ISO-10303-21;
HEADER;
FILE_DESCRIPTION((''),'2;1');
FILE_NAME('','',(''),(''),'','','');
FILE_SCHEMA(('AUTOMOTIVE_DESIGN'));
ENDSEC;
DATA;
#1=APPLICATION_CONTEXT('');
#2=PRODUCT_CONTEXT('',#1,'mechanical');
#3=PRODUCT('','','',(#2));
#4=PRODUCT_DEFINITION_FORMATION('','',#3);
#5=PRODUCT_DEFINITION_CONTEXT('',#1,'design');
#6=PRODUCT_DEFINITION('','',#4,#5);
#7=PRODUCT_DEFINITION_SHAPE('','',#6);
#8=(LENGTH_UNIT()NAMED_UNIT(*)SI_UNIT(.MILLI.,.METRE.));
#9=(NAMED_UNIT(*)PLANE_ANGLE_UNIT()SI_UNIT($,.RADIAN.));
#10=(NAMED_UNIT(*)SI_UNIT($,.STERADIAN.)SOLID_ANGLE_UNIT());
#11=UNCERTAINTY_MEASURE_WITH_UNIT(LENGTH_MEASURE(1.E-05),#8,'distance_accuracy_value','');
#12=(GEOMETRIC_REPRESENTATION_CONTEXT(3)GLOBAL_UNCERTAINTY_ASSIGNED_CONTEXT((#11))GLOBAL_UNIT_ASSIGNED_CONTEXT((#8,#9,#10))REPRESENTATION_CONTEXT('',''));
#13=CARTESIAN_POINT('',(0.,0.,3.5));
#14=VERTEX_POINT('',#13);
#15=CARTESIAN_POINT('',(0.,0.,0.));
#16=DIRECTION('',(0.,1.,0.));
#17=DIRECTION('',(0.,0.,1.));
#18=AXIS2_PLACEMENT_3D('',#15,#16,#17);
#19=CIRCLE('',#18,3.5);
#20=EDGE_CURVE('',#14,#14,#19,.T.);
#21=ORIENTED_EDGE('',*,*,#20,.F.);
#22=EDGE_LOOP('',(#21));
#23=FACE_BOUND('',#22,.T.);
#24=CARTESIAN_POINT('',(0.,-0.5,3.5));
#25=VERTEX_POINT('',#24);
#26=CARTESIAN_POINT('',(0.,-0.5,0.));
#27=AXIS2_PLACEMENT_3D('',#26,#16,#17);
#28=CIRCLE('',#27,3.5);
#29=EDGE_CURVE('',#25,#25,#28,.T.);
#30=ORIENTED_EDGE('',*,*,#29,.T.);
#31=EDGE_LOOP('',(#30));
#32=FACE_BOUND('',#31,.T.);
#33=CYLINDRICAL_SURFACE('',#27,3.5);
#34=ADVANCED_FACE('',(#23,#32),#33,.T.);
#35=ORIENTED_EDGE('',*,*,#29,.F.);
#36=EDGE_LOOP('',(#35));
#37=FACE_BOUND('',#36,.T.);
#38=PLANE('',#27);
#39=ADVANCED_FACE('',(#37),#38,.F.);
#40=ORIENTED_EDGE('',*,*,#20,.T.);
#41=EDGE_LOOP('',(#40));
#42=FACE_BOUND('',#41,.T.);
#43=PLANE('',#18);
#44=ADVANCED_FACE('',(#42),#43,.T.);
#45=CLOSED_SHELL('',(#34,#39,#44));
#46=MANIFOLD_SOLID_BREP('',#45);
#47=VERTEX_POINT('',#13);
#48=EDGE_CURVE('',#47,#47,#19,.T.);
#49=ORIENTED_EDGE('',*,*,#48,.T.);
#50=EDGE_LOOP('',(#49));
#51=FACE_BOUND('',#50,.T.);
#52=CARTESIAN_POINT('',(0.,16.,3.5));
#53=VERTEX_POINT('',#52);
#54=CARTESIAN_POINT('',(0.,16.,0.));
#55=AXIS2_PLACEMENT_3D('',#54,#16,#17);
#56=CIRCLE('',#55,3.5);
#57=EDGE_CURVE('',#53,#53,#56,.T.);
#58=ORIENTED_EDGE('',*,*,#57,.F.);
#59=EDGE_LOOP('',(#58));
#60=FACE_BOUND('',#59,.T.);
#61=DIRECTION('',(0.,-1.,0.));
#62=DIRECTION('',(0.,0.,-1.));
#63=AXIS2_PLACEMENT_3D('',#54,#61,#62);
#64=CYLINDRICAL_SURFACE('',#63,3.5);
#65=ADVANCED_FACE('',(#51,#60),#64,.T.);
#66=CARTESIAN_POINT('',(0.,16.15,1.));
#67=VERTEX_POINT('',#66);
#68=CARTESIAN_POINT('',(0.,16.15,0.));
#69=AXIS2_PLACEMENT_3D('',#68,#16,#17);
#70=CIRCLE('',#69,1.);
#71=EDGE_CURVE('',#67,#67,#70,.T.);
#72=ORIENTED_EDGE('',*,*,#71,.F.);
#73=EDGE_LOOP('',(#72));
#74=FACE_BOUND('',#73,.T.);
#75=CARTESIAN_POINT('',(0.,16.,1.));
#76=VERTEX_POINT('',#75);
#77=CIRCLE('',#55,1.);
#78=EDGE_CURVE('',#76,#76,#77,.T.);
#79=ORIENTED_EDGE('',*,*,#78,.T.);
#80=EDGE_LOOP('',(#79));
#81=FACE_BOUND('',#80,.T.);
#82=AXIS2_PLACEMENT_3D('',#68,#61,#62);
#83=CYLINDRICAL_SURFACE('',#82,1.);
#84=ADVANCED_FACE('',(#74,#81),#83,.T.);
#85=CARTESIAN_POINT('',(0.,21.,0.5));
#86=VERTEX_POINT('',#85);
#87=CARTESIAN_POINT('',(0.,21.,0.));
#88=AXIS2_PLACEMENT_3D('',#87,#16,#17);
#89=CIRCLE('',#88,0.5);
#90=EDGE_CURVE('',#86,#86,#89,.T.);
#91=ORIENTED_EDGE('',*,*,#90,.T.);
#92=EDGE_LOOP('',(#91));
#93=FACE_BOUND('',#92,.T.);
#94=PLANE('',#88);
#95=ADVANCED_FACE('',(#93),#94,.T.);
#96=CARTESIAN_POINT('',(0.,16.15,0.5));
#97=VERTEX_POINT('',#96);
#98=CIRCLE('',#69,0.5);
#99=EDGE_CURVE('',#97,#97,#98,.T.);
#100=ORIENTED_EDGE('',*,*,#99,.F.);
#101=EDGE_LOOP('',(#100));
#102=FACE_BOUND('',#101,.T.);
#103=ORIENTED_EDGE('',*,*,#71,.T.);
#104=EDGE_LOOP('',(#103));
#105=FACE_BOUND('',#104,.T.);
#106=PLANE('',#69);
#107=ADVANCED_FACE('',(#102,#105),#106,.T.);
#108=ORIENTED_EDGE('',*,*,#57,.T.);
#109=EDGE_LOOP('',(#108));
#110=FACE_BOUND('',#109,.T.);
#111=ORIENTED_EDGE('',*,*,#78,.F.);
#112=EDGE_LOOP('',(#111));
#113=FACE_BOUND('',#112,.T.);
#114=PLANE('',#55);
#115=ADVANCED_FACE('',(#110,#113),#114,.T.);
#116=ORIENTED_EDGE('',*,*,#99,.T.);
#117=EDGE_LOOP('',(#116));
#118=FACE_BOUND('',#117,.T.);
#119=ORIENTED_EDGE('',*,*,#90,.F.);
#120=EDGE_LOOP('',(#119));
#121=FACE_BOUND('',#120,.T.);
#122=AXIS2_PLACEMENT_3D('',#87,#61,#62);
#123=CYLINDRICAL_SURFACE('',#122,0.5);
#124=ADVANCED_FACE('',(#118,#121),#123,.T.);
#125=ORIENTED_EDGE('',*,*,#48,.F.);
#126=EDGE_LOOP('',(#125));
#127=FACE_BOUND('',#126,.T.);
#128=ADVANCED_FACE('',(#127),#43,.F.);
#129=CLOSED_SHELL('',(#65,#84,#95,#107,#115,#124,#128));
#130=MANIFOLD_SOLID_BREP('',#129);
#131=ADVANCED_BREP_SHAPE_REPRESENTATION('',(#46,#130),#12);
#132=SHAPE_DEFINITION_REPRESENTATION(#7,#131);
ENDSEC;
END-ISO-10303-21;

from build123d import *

# Parameters (mm, degrees)
SKETCH1_R           = 3.5
BOSS_EXTRUDE1_DEPTH = 16
SKETCH2_R           = 0.5
BOSS_EXTRUDE2_DEPTH = 5
SKETCH3_R           = 1
BOSS_EXTRUDE3_DEPTH = 0.15
SKETCH1_2_R         = 3.5
BOSS_EXTRUDE4_DEPTH = 0.5


with BuildPart() as part:
    # Sketch1 → Boss-Extrude1 (new body)
    with BuildSketch(Plane(origin=(0, 0, 0), x_dir=(1, 0, 0), z_dir=(0, 1, 0))):
        Circle(SKETCH1_R)
    extrude(amount=BOSS_EXTRUDE1_DEPTH)

    # Sketch2 → Boss-Extrude2 (add)
    with BuildSketch(Plane(origin=(0, 16, 0), x_dir=(1, 0, 0), z_dir=(0, 1, 0))):
        Circle(SKETCH2_R)
    extrude(amount=BOSS_EXTRUDE2_DEPTH)

    # Sketch3 → Boss-Extrude3 (add)
    with BuildSketch(Plane(origin=(0, 16, 0), x_dir=(1, 0, 0), z_dir=(0, 1, 0))):
        Circle(SKETCH3_R)
    extrude(amount=BOSS_EXTRUDE3_DEPTH)


with BuildPart() as body_2:
    # Sketch1<2> → Boss-Extrude4 (new body)
    with BuildSketch(Plane(origin=(0, 0, 0), x_dir=(1, 0, 0), z_dir=(0, 1, 0))):
        Circle(SKETCH1_2_R)
    extrude(amount=-BOSS_EXTRUDE4_DEPTH)


solid = Compound([part.part, body_2.part])
